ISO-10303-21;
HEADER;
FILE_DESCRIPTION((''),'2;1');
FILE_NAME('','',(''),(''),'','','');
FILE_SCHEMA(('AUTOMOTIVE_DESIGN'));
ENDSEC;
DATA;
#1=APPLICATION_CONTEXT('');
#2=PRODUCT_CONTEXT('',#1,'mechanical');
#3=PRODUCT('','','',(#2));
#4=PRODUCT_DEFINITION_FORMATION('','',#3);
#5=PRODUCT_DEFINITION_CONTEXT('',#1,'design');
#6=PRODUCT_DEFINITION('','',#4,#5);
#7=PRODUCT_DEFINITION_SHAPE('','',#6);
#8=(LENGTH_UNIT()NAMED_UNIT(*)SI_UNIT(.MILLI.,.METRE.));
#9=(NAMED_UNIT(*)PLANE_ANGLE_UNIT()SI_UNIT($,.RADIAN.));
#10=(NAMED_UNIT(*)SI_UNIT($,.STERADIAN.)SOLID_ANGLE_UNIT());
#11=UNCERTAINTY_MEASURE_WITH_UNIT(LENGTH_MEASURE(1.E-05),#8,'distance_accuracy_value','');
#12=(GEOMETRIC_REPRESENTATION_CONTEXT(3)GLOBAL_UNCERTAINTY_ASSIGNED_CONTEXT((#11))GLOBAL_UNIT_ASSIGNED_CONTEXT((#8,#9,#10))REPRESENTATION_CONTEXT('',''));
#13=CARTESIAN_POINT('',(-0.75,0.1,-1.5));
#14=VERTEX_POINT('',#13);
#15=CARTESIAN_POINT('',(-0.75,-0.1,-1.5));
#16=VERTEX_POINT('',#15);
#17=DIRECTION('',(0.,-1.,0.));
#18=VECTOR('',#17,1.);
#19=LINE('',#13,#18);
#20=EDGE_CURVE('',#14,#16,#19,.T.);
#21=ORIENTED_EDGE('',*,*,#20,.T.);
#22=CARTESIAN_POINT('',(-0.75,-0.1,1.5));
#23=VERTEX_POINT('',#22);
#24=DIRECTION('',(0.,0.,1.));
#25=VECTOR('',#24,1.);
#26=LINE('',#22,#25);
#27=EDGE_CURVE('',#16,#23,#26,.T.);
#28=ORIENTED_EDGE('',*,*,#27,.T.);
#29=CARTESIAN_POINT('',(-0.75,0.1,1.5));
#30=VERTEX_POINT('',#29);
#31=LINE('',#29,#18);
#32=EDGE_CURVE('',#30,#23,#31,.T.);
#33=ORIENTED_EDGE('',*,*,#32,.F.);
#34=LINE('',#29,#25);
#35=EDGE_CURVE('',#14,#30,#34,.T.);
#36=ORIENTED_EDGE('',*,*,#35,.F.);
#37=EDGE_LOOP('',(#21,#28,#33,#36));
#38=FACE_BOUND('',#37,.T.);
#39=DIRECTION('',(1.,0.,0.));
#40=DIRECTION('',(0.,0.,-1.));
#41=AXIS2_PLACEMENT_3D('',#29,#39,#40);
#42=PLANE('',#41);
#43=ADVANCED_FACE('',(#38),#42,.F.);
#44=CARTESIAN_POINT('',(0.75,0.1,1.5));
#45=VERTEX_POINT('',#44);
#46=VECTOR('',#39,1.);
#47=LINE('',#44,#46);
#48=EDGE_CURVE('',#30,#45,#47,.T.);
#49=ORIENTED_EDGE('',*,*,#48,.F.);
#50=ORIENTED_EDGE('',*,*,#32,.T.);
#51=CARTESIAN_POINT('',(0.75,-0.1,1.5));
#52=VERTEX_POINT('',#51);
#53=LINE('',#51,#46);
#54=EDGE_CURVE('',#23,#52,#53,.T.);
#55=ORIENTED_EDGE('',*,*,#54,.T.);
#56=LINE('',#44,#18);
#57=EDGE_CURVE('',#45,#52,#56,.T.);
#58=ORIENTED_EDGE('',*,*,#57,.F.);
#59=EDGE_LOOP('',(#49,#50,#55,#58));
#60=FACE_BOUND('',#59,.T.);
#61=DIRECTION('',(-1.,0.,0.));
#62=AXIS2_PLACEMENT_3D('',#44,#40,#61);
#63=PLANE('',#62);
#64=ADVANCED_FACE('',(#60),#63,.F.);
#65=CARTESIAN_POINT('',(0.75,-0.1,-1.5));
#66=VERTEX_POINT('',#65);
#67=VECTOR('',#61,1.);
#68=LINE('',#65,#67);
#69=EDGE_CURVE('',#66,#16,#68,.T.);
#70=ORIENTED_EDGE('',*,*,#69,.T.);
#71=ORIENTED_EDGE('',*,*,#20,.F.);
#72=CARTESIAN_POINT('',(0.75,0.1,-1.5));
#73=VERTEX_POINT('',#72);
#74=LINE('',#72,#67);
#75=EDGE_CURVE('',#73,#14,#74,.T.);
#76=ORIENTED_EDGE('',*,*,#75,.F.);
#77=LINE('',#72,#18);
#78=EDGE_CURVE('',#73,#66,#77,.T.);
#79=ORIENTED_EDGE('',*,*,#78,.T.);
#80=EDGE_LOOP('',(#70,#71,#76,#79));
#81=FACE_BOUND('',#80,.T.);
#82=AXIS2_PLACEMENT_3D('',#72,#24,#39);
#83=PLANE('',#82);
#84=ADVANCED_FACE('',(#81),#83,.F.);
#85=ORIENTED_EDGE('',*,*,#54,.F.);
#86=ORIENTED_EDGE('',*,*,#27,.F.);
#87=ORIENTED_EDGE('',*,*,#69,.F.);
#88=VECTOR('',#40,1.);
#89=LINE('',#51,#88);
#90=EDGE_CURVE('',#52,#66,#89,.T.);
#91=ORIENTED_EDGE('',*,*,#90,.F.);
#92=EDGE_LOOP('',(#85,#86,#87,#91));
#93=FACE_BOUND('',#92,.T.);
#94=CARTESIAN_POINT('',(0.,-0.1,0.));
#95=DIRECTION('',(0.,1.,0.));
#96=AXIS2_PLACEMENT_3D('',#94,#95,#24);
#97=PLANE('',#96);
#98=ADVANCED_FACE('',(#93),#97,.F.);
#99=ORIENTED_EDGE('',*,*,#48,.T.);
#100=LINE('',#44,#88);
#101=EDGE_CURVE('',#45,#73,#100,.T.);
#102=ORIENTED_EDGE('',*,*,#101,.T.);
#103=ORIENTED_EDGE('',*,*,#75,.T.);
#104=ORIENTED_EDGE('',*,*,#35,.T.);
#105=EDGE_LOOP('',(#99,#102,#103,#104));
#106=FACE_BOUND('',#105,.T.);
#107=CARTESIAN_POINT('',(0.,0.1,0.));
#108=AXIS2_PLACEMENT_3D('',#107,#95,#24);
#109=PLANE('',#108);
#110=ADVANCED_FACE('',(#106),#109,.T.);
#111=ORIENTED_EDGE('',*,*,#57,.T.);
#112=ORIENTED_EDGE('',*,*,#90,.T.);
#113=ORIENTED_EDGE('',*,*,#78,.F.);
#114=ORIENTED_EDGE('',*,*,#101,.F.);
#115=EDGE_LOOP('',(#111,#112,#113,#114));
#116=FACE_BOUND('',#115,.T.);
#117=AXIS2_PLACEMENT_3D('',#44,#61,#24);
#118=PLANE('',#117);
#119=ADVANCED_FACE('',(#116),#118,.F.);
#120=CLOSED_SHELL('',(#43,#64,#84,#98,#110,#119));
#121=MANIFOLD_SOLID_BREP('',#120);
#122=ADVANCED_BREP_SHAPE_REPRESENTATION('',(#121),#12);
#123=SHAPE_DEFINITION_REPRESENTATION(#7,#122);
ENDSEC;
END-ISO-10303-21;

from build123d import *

# Parameters (mm, degrees)
SKETCH1_W           = 1.5
SKETCH1_H           = 3
BOSS_EXTRUDE1_DEPTH = 0.1


with BuildPart() as part:
    # Sketch1 → Boss-Extrude1 (new, symmetric)
    with BuildSketch(Plane(origin=(0, 0, 0), x_dir=(1, 0, 0), z_dir=(0, 1, 0))):
        Rectangle(SKETCH1_W, SKETCH1_H)
    extrude(amount=BOSS_EXTRUDE1_DEPTH, both=True)


solid = part.part
